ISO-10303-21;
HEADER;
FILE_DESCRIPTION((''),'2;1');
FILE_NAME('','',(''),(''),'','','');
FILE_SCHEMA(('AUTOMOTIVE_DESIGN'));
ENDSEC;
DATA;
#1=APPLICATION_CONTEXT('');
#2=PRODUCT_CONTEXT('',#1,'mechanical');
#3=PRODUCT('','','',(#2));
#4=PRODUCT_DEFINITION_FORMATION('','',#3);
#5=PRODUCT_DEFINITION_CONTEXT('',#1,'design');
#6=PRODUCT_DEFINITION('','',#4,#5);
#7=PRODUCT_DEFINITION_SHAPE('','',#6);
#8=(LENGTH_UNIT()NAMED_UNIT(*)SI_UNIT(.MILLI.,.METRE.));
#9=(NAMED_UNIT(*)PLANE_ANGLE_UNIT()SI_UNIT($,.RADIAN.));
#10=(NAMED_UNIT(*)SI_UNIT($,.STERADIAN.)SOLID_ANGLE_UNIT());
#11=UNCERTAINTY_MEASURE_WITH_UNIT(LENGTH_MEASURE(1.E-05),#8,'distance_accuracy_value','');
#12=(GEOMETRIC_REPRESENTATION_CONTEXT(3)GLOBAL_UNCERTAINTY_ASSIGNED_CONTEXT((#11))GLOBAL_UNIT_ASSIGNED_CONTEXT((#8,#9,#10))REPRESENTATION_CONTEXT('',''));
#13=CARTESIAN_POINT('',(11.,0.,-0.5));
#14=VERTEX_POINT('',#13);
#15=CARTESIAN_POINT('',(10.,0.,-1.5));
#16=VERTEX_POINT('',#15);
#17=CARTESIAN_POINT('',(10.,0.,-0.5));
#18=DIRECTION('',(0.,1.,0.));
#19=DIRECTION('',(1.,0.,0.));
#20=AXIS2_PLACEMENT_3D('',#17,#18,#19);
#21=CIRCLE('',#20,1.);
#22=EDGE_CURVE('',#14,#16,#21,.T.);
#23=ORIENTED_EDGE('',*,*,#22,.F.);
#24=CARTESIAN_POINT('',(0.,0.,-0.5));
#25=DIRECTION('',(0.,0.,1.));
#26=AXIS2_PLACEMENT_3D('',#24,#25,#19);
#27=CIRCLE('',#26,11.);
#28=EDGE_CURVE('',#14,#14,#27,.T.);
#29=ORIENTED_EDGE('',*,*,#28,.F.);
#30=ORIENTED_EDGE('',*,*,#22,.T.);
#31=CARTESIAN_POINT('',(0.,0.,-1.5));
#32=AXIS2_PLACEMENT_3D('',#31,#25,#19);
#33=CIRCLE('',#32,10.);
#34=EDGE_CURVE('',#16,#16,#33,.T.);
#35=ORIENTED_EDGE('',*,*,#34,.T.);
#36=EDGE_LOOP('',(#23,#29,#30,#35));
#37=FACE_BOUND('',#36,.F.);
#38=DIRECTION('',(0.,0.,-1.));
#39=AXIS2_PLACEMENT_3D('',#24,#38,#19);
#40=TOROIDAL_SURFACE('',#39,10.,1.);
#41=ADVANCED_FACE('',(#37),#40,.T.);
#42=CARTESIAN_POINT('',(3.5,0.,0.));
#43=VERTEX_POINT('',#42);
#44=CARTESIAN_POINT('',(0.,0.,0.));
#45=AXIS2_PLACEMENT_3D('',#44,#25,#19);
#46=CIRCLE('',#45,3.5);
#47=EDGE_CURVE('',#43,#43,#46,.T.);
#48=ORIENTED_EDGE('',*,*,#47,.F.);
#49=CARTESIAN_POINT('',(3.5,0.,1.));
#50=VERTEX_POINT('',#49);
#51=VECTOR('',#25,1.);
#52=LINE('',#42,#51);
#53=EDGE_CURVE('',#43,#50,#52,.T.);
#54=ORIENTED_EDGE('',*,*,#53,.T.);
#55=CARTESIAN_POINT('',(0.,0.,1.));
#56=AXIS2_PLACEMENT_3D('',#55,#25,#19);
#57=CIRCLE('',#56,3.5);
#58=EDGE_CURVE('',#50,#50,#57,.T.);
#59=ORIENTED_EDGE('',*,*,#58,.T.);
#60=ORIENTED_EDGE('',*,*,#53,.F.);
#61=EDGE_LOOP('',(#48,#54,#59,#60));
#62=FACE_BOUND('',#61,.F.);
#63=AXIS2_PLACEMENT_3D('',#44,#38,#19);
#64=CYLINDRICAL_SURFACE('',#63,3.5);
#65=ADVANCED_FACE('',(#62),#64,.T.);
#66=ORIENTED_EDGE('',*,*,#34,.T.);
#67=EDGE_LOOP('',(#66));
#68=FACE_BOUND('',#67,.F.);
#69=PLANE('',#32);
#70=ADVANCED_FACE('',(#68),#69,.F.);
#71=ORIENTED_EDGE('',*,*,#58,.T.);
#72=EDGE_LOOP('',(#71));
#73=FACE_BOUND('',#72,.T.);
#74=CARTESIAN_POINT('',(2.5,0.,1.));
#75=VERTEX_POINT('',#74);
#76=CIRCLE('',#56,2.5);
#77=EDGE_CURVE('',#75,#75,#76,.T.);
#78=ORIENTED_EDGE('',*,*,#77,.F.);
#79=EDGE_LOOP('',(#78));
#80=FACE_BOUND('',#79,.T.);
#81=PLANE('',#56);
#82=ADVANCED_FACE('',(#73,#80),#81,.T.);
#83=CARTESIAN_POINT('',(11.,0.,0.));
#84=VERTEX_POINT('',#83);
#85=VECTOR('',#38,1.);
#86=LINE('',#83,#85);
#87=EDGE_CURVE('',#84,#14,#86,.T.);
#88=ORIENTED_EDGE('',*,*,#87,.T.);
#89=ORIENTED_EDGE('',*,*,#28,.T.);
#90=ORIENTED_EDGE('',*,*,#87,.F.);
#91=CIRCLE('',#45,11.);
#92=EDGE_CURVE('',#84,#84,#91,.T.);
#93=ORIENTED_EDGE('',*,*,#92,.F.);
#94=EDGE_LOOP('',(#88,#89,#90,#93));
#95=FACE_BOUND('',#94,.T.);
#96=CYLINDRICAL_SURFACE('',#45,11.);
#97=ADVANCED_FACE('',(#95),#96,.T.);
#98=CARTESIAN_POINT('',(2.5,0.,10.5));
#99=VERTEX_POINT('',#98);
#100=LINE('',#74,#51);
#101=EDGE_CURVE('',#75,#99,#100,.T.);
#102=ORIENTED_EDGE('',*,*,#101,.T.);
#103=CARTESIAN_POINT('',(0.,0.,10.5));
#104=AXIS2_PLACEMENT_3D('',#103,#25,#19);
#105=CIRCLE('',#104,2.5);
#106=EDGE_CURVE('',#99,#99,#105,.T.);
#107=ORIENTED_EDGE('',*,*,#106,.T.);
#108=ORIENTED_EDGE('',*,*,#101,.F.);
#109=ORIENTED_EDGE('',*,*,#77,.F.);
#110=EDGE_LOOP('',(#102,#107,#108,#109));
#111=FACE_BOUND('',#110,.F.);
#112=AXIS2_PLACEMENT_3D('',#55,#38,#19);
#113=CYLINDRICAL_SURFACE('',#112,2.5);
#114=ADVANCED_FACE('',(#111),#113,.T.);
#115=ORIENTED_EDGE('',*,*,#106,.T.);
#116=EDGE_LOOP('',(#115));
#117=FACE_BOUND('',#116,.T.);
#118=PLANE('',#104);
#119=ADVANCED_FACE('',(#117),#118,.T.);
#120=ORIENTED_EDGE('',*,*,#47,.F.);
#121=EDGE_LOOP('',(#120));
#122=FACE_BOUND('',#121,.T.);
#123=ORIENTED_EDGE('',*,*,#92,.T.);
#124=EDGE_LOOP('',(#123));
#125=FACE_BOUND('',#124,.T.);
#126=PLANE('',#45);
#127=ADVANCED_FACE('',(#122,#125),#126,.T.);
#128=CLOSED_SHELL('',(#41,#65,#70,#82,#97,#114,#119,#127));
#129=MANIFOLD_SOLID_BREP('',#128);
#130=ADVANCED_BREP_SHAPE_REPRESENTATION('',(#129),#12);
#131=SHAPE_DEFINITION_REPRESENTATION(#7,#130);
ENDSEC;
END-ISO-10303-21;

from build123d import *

# Parameters (mm, degrees)
F0_R     = 11
F1_DEPTH = 1.5
F2_R     = 3.5
F3_DEPTH = 1
F4_R     = 2.5
F5_DEPTH = 9.5
F6_R     = 1


with BuildPart() as f1:
    # F0 (on Top) → F1 (new body)
    with BuildSketch(Plane.XY):
        Circle(F0_R)
    extrude(amount=-F1_DEPTH)

    # F2 (on face) → F3 (join)
    with BuildSketch(Plane.XY):
        Circle(F2_R)
    extrude(amount=F3_DEPTH)

    # F4 (on face) → F5 (join)
    with BuildSketch(Plane.XY.offset(1)):
        Circle(F4_R)
    extrude(amount=F5_DEPTH)

    # F6
    f6_edges = [f1.edges().sort_by_distance(p)[0] for p in [
        (-11, 0, -1.5),
    ]]
    fillet(f6_edges, radius=F6_R)


solid = f1.part
